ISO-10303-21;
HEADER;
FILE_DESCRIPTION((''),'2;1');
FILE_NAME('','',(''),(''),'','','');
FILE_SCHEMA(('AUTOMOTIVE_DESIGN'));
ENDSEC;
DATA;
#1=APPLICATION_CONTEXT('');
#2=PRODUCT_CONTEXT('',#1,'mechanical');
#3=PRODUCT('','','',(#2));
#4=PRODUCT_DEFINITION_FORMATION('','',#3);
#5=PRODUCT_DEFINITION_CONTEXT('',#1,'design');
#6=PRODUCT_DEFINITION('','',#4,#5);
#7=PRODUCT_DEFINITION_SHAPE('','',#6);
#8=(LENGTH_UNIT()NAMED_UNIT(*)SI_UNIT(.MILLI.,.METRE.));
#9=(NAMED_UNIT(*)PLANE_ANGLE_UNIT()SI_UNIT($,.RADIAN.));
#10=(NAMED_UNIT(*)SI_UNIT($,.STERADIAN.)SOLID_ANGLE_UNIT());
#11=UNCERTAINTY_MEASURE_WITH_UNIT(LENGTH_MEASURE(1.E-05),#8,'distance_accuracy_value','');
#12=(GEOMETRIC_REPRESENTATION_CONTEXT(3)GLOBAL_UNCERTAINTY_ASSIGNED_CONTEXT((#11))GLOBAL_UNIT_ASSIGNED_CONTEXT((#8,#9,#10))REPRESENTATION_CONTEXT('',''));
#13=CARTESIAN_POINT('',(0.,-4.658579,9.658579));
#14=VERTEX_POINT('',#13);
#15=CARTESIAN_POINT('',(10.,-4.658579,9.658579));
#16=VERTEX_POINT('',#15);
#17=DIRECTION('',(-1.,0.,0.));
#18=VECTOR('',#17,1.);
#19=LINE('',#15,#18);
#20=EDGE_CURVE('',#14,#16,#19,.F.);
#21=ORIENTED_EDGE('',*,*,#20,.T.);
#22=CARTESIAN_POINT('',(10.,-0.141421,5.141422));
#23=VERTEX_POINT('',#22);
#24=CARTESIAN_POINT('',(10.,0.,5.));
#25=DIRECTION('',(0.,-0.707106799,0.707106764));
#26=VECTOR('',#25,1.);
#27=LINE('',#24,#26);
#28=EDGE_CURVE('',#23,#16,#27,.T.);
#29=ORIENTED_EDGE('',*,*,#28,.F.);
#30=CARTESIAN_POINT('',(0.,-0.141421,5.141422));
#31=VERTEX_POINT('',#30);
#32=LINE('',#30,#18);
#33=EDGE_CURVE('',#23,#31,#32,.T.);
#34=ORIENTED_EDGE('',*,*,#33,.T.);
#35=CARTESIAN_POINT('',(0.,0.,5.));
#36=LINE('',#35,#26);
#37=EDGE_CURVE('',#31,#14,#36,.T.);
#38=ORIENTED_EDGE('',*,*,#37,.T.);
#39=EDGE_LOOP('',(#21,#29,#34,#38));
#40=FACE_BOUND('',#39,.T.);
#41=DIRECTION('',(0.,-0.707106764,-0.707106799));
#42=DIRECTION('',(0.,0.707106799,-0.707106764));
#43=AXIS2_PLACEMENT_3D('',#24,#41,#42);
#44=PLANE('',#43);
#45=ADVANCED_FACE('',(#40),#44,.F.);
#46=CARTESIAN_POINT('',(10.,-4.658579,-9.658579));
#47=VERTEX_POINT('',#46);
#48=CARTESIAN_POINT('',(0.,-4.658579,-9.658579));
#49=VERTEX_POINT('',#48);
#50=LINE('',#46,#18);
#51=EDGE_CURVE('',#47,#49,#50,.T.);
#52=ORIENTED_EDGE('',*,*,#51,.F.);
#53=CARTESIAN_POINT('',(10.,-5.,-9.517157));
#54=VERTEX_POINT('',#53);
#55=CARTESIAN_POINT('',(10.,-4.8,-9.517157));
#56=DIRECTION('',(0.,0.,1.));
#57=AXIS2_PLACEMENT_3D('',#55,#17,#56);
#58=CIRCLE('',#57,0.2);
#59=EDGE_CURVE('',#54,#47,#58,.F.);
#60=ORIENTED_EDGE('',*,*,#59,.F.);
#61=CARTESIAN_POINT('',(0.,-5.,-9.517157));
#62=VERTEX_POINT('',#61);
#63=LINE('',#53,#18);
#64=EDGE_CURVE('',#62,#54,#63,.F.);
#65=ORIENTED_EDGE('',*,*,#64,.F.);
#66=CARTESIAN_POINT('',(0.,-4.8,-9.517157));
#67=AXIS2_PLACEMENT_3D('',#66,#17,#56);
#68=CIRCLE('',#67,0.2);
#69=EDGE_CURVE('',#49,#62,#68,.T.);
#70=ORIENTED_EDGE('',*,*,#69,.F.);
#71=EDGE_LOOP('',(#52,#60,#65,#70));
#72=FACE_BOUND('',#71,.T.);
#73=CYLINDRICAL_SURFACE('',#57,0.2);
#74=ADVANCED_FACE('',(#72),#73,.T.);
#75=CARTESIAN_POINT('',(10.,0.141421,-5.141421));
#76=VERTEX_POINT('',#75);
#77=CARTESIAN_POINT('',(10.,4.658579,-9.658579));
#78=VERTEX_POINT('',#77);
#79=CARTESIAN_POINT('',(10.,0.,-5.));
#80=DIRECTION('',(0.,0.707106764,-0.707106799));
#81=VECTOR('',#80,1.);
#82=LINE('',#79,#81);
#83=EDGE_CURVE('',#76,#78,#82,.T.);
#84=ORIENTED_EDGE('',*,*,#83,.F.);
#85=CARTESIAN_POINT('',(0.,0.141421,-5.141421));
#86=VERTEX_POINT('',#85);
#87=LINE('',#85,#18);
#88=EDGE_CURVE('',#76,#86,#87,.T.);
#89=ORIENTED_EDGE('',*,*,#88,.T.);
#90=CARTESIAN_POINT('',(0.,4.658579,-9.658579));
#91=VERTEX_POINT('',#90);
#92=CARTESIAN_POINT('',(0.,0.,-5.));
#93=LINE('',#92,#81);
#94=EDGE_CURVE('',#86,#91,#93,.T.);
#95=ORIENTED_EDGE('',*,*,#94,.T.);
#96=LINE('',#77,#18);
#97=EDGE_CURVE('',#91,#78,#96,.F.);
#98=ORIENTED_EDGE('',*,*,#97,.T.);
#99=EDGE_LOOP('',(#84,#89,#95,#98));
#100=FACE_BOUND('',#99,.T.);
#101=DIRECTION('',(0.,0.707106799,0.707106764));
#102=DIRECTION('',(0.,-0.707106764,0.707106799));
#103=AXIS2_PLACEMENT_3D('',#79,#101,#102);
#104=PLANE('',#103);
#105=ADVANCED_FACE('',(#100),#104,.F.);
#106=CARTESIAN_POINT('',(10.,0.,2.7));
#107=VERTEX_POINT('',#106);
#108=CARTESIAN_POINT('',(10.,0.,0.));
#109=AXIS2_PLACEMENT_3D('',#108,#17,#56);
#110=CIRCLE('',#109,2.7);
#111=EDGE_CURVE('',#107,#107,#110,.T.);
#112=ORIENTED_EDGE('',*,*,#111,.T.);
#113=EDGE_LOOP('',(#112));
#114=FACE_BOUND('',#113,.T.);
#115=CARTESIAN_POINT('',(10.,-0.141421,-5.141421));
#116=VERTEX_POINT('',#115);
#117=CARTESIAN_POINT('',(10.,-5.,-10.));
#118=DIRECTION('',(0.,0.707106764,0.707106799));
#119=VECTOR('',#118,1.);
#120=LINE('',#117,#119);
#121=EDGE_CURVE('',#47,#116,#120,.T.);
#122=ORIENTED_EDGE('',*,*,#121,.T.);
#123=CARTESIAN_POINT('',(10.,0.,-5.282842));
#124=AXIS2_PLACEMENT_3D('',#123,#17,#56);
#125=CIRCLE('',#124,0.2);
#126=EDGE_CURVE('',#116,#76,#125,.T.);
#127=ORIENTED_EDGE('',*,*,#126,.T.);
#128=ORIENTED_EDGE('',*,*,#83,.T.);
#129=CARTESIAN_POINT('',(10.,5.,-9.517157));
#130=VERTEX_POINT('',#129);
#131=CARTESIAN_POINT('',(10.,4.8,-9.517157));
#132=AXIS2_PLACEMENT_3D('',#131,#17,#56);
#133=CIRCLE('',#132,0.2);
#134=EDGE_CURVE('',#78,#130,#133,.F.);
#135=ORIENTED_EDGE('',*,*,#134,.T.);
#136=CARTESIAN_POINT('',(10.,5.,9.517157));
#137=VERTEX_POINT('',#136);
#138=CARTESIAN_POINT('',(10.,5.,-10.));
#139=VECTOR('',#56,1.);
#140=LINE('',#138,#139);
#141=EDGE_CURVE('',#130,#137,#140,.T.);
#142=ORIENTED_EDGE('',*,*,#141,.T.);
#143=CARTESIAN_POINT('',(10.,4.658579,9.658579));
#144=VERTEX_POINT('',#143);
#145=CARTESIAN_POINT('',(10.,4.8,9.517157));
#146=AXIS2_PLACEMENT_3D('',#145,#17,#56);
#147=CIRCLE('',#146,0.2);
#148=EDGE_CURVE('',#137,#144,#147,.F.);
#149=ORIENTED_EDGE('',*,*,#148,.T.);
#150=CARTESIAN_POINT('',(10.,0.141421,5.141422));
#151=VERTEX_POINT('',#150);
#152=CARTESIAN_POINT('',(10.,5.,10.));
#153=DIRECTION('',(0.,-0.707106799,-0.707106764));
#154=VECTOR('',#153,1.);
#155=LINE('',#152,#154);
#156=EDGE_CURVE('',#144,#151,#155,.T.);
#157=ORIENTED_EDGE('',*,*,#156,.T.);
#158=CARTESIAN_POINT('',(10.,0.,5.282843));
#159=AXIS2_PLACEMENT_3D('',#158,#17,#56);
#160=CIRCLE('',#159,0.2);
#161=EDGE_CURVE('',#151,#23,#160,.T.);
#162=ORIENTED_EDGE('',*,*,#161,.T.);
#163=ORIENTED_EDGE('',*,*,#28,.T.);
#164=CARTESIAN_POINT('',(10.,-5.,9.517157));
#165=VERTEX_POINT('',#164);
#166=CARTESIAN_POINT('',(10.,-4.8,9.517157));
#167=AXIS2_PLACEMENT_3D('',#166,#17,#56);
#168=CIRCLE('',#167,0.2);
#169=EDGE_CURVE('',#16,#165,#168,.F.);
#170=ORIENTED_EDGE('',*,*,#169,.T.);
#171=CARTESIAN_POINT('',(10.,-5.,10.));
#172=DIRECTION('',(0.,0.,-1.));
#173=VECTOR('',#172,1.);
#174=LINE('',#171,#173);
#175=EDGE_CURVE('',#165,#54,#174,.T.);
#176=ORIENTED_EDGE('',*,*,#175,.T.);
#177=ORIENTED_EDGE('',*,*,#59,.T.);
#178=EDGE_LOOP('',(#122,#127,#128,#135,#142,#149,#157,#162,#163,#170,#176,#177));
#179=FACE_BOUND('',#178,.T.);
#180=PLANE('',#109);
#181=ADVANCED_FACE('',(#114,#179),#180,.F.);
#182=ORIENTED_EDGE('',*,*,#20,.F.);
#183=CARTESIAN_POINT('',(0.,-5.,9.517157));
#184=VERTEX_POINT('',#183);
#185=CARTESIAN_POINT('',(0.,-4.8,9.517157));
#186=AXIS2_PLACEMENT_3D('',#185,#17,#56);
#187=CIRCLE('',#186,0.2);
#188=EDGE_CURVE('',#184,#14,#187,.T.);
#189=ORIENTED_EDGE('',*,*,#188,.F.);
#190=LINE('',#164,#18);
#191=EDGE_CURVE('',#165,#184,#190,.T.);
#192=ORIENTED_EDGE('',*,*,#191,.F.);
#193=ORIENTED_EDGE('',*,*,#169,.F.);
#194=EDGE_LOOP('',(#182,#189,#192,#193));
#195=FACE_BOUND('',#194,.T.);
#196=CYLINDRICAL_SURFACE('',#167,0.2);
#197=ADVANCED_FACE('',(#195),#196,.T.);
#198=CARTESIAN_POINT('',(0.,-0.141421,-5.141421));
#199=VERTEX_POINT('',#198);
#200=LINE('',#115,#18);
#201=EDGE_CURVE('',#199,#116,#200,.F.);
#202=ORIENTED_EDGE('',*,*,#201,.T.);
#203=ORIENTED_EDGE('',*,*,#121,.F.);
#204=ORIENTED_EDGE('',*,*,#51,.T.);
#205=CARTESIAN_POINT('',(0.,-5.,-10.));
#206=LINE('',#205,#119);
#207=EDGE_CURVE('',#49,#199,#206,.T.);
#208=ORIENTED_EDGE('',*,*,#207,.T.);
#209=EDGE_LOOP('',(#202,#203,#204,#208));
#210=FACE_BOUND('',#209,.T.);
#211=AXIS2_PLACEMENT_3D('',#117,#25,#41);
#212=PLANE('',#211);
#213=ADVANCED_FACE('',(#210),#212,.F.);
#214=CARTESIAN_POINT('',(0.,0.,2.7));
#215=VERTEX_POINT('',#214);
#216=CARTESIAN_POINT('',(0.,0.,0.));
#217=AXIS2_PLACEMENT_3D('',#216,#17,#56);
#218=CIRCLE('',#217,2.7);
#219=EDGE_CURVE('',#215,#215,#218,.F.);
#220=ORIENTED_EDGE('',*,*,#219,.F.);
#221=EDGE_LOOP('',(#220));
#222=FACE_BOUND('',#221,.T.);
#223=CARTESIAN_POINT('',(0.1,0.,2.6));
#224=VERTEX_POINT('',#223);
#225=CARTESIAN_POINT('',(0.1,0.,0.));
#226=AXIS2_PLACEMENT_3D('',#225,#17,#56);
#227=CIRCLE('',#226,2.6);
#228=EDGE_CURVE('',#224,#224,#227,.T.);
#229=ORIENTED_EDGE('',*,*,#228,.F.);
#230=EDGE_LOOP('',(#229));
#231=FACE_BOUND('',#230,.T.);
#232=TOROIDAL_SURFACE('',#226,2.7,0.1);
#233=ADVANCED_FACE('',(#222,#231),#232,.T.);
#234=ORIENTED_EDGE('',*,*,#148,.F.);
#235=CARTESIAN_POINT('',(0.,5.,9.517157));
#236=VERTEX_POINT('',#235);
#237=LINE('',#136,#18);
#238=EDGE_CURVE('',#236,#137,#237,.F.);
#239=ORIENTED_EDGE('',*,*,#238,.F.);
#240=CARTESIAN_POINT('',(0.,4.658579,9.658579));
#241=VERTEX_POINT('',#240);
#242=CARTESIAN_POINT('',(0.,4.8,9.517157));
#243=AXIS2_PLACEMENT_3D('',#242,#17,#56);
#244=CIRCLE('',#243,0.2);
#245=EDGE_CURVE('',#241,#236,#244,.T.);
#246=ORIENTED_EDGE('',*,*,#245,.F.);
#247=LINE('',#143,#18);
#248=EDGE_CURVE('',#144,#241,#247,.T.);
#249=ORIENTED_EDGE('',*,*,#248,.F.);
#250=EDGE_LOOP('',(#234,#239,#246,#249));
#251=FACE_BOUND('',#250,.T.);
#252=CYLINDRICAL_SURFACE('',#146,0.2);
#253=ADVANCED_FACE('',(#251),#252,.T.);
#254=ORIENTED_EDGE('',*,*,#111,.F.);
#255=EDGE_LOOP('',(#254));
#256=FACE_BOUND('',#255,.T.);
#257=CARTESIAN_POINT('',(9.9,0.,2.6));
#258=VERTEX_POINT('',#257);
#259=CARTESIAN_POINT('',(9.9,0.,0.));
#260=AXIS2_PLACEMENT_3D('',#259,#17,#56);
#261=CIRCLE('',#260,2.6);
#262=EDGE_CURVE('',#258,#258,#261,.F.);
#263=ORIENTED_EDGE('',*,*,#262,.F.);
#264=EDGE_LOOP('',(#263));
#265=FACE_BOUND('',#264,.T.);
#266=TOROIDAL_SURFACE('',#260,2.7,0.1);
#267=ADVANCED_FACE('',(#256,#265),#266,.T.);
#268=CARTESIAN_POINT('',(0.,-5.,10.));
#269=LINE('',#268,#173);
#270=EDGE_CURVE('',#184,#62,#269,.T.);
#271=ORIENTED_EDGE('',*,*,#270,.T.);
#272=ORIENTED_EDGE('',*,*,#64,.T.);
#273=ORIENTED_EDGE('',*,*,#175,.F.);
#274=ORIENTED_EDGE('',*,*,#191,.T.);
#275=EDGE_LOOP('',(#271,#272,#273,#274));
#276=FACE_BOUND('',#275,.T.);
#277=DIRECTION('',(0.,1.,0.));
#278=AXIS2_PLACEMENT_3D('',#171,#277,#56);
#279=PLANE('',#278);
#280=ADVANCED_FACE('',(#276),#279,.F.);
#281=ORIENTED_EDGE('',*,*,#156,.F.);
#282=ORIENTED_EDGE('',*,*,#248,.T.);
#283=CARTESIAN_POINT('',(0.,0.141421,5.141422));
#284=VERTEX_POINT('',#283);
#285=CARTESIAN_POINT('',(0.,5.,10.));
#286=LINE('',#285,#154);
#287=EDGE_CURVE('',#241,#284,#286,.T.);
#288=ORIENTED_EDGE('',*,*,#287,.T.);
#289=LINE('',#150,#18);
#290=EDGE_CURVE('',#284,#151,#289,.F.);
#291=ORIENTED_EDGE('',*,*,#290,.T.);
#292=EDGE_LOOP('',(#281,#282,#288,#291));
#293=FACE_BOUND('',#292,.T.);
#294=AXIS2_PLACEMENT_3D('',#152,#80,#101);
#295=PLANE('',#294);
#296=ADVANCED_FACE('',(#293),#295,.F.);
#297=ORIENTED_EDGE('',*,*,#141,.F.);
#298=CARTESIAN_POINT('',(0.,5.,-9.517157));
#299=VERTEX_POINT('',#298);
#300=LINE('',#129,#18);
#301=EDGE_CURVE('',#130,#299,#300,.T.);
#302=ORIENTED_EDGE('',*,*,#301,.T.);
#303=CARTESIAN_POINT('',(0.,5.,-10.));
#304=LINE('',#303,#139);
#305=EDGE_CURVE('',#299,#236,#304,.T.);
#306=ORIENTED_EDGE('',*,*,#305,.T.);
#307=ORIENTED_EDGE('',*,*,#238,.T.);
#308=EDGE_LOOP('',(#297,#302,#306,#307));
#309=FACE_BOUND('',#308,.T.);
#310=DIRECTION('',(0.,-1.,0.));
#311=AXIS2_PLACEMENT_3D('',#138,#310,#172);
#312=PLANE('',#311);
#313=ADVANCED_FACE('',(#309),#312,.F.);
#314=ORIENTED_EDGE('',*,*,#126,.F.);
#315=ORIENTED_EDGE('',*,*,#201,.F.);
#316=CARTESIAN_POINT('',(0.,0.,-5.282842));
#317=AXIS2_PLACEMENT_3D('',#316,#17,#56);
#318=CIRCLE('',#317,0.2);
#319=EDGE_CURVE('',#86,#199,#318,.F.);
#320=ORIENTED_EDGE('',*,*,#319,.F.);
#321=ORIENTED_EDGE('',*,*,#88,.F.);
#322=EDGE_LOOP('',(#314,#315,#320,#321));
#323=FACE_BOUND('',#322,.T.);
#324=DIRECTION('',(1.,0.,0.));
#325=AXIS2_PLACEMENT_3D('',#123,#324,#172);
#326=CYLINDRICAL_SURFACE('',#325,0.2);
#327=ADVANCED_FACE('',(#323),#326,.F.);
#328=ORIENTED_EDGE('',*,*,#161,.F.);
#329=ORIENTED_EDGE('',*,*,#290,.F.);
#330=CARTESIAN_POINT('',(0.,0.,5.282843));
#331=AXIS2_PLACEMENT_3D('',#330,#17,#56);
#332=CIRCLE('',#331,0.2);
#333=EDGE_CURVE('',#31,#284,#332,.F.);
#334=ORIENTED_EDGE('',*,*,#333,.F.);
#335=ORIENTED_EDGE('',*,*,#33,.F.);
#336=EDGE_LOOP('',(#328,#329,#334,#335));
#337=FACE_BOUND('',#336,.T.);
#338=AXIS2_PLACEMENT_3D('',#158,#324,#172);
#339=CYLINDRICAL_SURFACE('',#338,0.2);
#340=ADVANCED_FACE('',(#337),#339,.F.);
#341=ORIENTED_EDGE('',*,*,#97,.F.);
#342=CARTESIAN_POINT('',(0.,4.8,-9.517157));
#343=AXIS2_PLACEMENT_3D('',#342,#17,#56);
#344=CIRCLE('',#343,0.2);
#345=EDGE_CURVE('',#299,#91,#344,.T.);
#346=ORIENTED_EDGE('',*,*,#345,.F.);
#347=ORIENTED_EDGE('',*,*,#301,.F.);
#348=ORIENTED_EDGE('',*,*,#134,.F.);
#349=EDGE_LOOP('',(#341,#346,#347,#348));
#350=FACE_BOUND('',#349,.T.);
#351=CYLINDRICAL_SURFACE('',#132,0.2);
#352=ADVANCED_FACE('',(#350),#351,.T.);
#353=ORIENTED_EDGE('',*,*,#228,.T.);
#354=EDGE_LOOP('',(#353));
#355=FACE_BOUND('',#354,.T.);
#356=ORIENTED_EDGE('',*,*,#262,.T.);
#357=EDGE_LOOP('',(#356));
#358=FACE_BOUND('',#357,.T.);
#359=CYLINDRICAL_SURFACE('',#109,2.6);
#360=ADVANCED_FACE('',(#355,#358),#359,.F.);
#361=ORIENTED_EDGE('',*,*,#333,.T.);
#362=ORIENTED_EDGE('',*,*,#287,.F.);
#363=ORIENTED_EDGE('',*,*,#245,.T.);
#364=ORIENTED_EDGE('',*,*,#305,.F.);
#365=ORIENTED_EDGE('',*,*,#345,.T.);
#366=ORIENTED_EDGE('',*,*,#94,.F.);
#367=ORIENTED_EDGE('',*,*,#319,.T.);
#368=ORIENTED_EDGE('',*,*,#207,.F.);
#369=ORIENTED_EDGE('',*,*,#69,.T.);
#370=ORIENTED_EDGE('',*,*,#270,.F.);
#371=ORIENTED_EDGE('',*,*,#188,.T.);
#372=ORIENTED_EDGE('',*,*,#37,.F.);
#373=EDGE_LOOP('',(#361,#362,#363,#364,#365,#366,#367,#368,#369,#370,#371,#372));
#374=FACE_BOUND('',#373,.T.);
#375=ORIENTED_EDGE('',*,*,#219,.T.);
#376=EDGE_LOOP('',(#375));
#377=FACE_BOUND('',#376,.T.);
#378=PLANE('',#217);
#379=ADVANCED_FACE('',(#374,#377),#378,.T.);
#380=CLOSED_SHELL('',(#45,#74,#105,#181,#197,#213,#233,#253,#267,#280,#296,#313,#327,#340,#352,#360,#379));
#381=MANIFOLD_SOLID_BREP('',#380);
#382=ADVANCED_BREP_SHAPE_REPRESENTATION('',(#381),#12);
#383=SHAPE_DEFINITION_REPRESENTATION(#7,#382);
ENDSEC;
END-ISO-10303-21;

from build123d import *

# Parameters (mm, degrees)
CROQUIS1_R              = 2.6
SALIENTE_EXTRUIR1_DEPTH = 10
REDONDEO1_R             = 0.2
REDONDEO2_R             = 0.1


with BuildPart() as part:
    # Croquis1 → Saliente-Extruir1 (new body)
    with BuildSketch(Plane.YZ):
        Polygon((5, -10), (5, 10), (0, 5.00000025), (-5, 10), (-5, -10), (0, -4.99999975), align=None)
        with Locations(Location((0, 0, 0), (0, 0, 270))):
            Circle(CROQUIS1_R, mode=Mode.SUBTRACT)
    extrude(amount=SALIENTE_EXTRUIR1_DEPTH)

    # Redondeo1
    redondeo1_edges = [part.edges().sort_by_distance(p)[0] for p in [
        (5, 0, -4.99999975),
        (5, -5, -10),
        (5, -5, 10),
        (5, 0, 5.00000025),
        (5, 5, 10),
        (5, 5, -10),
    ]]
    fillet(redondeo1_edges, radius=REDONDEO1_R)

    # Redondeo2
    redondeo2_edges = [part.edges().sort_by_distance(p)[0] for p in [
        (0, 0, 2.6),
        (10, 0, 2.6),
    ]]
    fillet(redondeo2_edges, radius=REDONDEO2_R)


solid = part.part
